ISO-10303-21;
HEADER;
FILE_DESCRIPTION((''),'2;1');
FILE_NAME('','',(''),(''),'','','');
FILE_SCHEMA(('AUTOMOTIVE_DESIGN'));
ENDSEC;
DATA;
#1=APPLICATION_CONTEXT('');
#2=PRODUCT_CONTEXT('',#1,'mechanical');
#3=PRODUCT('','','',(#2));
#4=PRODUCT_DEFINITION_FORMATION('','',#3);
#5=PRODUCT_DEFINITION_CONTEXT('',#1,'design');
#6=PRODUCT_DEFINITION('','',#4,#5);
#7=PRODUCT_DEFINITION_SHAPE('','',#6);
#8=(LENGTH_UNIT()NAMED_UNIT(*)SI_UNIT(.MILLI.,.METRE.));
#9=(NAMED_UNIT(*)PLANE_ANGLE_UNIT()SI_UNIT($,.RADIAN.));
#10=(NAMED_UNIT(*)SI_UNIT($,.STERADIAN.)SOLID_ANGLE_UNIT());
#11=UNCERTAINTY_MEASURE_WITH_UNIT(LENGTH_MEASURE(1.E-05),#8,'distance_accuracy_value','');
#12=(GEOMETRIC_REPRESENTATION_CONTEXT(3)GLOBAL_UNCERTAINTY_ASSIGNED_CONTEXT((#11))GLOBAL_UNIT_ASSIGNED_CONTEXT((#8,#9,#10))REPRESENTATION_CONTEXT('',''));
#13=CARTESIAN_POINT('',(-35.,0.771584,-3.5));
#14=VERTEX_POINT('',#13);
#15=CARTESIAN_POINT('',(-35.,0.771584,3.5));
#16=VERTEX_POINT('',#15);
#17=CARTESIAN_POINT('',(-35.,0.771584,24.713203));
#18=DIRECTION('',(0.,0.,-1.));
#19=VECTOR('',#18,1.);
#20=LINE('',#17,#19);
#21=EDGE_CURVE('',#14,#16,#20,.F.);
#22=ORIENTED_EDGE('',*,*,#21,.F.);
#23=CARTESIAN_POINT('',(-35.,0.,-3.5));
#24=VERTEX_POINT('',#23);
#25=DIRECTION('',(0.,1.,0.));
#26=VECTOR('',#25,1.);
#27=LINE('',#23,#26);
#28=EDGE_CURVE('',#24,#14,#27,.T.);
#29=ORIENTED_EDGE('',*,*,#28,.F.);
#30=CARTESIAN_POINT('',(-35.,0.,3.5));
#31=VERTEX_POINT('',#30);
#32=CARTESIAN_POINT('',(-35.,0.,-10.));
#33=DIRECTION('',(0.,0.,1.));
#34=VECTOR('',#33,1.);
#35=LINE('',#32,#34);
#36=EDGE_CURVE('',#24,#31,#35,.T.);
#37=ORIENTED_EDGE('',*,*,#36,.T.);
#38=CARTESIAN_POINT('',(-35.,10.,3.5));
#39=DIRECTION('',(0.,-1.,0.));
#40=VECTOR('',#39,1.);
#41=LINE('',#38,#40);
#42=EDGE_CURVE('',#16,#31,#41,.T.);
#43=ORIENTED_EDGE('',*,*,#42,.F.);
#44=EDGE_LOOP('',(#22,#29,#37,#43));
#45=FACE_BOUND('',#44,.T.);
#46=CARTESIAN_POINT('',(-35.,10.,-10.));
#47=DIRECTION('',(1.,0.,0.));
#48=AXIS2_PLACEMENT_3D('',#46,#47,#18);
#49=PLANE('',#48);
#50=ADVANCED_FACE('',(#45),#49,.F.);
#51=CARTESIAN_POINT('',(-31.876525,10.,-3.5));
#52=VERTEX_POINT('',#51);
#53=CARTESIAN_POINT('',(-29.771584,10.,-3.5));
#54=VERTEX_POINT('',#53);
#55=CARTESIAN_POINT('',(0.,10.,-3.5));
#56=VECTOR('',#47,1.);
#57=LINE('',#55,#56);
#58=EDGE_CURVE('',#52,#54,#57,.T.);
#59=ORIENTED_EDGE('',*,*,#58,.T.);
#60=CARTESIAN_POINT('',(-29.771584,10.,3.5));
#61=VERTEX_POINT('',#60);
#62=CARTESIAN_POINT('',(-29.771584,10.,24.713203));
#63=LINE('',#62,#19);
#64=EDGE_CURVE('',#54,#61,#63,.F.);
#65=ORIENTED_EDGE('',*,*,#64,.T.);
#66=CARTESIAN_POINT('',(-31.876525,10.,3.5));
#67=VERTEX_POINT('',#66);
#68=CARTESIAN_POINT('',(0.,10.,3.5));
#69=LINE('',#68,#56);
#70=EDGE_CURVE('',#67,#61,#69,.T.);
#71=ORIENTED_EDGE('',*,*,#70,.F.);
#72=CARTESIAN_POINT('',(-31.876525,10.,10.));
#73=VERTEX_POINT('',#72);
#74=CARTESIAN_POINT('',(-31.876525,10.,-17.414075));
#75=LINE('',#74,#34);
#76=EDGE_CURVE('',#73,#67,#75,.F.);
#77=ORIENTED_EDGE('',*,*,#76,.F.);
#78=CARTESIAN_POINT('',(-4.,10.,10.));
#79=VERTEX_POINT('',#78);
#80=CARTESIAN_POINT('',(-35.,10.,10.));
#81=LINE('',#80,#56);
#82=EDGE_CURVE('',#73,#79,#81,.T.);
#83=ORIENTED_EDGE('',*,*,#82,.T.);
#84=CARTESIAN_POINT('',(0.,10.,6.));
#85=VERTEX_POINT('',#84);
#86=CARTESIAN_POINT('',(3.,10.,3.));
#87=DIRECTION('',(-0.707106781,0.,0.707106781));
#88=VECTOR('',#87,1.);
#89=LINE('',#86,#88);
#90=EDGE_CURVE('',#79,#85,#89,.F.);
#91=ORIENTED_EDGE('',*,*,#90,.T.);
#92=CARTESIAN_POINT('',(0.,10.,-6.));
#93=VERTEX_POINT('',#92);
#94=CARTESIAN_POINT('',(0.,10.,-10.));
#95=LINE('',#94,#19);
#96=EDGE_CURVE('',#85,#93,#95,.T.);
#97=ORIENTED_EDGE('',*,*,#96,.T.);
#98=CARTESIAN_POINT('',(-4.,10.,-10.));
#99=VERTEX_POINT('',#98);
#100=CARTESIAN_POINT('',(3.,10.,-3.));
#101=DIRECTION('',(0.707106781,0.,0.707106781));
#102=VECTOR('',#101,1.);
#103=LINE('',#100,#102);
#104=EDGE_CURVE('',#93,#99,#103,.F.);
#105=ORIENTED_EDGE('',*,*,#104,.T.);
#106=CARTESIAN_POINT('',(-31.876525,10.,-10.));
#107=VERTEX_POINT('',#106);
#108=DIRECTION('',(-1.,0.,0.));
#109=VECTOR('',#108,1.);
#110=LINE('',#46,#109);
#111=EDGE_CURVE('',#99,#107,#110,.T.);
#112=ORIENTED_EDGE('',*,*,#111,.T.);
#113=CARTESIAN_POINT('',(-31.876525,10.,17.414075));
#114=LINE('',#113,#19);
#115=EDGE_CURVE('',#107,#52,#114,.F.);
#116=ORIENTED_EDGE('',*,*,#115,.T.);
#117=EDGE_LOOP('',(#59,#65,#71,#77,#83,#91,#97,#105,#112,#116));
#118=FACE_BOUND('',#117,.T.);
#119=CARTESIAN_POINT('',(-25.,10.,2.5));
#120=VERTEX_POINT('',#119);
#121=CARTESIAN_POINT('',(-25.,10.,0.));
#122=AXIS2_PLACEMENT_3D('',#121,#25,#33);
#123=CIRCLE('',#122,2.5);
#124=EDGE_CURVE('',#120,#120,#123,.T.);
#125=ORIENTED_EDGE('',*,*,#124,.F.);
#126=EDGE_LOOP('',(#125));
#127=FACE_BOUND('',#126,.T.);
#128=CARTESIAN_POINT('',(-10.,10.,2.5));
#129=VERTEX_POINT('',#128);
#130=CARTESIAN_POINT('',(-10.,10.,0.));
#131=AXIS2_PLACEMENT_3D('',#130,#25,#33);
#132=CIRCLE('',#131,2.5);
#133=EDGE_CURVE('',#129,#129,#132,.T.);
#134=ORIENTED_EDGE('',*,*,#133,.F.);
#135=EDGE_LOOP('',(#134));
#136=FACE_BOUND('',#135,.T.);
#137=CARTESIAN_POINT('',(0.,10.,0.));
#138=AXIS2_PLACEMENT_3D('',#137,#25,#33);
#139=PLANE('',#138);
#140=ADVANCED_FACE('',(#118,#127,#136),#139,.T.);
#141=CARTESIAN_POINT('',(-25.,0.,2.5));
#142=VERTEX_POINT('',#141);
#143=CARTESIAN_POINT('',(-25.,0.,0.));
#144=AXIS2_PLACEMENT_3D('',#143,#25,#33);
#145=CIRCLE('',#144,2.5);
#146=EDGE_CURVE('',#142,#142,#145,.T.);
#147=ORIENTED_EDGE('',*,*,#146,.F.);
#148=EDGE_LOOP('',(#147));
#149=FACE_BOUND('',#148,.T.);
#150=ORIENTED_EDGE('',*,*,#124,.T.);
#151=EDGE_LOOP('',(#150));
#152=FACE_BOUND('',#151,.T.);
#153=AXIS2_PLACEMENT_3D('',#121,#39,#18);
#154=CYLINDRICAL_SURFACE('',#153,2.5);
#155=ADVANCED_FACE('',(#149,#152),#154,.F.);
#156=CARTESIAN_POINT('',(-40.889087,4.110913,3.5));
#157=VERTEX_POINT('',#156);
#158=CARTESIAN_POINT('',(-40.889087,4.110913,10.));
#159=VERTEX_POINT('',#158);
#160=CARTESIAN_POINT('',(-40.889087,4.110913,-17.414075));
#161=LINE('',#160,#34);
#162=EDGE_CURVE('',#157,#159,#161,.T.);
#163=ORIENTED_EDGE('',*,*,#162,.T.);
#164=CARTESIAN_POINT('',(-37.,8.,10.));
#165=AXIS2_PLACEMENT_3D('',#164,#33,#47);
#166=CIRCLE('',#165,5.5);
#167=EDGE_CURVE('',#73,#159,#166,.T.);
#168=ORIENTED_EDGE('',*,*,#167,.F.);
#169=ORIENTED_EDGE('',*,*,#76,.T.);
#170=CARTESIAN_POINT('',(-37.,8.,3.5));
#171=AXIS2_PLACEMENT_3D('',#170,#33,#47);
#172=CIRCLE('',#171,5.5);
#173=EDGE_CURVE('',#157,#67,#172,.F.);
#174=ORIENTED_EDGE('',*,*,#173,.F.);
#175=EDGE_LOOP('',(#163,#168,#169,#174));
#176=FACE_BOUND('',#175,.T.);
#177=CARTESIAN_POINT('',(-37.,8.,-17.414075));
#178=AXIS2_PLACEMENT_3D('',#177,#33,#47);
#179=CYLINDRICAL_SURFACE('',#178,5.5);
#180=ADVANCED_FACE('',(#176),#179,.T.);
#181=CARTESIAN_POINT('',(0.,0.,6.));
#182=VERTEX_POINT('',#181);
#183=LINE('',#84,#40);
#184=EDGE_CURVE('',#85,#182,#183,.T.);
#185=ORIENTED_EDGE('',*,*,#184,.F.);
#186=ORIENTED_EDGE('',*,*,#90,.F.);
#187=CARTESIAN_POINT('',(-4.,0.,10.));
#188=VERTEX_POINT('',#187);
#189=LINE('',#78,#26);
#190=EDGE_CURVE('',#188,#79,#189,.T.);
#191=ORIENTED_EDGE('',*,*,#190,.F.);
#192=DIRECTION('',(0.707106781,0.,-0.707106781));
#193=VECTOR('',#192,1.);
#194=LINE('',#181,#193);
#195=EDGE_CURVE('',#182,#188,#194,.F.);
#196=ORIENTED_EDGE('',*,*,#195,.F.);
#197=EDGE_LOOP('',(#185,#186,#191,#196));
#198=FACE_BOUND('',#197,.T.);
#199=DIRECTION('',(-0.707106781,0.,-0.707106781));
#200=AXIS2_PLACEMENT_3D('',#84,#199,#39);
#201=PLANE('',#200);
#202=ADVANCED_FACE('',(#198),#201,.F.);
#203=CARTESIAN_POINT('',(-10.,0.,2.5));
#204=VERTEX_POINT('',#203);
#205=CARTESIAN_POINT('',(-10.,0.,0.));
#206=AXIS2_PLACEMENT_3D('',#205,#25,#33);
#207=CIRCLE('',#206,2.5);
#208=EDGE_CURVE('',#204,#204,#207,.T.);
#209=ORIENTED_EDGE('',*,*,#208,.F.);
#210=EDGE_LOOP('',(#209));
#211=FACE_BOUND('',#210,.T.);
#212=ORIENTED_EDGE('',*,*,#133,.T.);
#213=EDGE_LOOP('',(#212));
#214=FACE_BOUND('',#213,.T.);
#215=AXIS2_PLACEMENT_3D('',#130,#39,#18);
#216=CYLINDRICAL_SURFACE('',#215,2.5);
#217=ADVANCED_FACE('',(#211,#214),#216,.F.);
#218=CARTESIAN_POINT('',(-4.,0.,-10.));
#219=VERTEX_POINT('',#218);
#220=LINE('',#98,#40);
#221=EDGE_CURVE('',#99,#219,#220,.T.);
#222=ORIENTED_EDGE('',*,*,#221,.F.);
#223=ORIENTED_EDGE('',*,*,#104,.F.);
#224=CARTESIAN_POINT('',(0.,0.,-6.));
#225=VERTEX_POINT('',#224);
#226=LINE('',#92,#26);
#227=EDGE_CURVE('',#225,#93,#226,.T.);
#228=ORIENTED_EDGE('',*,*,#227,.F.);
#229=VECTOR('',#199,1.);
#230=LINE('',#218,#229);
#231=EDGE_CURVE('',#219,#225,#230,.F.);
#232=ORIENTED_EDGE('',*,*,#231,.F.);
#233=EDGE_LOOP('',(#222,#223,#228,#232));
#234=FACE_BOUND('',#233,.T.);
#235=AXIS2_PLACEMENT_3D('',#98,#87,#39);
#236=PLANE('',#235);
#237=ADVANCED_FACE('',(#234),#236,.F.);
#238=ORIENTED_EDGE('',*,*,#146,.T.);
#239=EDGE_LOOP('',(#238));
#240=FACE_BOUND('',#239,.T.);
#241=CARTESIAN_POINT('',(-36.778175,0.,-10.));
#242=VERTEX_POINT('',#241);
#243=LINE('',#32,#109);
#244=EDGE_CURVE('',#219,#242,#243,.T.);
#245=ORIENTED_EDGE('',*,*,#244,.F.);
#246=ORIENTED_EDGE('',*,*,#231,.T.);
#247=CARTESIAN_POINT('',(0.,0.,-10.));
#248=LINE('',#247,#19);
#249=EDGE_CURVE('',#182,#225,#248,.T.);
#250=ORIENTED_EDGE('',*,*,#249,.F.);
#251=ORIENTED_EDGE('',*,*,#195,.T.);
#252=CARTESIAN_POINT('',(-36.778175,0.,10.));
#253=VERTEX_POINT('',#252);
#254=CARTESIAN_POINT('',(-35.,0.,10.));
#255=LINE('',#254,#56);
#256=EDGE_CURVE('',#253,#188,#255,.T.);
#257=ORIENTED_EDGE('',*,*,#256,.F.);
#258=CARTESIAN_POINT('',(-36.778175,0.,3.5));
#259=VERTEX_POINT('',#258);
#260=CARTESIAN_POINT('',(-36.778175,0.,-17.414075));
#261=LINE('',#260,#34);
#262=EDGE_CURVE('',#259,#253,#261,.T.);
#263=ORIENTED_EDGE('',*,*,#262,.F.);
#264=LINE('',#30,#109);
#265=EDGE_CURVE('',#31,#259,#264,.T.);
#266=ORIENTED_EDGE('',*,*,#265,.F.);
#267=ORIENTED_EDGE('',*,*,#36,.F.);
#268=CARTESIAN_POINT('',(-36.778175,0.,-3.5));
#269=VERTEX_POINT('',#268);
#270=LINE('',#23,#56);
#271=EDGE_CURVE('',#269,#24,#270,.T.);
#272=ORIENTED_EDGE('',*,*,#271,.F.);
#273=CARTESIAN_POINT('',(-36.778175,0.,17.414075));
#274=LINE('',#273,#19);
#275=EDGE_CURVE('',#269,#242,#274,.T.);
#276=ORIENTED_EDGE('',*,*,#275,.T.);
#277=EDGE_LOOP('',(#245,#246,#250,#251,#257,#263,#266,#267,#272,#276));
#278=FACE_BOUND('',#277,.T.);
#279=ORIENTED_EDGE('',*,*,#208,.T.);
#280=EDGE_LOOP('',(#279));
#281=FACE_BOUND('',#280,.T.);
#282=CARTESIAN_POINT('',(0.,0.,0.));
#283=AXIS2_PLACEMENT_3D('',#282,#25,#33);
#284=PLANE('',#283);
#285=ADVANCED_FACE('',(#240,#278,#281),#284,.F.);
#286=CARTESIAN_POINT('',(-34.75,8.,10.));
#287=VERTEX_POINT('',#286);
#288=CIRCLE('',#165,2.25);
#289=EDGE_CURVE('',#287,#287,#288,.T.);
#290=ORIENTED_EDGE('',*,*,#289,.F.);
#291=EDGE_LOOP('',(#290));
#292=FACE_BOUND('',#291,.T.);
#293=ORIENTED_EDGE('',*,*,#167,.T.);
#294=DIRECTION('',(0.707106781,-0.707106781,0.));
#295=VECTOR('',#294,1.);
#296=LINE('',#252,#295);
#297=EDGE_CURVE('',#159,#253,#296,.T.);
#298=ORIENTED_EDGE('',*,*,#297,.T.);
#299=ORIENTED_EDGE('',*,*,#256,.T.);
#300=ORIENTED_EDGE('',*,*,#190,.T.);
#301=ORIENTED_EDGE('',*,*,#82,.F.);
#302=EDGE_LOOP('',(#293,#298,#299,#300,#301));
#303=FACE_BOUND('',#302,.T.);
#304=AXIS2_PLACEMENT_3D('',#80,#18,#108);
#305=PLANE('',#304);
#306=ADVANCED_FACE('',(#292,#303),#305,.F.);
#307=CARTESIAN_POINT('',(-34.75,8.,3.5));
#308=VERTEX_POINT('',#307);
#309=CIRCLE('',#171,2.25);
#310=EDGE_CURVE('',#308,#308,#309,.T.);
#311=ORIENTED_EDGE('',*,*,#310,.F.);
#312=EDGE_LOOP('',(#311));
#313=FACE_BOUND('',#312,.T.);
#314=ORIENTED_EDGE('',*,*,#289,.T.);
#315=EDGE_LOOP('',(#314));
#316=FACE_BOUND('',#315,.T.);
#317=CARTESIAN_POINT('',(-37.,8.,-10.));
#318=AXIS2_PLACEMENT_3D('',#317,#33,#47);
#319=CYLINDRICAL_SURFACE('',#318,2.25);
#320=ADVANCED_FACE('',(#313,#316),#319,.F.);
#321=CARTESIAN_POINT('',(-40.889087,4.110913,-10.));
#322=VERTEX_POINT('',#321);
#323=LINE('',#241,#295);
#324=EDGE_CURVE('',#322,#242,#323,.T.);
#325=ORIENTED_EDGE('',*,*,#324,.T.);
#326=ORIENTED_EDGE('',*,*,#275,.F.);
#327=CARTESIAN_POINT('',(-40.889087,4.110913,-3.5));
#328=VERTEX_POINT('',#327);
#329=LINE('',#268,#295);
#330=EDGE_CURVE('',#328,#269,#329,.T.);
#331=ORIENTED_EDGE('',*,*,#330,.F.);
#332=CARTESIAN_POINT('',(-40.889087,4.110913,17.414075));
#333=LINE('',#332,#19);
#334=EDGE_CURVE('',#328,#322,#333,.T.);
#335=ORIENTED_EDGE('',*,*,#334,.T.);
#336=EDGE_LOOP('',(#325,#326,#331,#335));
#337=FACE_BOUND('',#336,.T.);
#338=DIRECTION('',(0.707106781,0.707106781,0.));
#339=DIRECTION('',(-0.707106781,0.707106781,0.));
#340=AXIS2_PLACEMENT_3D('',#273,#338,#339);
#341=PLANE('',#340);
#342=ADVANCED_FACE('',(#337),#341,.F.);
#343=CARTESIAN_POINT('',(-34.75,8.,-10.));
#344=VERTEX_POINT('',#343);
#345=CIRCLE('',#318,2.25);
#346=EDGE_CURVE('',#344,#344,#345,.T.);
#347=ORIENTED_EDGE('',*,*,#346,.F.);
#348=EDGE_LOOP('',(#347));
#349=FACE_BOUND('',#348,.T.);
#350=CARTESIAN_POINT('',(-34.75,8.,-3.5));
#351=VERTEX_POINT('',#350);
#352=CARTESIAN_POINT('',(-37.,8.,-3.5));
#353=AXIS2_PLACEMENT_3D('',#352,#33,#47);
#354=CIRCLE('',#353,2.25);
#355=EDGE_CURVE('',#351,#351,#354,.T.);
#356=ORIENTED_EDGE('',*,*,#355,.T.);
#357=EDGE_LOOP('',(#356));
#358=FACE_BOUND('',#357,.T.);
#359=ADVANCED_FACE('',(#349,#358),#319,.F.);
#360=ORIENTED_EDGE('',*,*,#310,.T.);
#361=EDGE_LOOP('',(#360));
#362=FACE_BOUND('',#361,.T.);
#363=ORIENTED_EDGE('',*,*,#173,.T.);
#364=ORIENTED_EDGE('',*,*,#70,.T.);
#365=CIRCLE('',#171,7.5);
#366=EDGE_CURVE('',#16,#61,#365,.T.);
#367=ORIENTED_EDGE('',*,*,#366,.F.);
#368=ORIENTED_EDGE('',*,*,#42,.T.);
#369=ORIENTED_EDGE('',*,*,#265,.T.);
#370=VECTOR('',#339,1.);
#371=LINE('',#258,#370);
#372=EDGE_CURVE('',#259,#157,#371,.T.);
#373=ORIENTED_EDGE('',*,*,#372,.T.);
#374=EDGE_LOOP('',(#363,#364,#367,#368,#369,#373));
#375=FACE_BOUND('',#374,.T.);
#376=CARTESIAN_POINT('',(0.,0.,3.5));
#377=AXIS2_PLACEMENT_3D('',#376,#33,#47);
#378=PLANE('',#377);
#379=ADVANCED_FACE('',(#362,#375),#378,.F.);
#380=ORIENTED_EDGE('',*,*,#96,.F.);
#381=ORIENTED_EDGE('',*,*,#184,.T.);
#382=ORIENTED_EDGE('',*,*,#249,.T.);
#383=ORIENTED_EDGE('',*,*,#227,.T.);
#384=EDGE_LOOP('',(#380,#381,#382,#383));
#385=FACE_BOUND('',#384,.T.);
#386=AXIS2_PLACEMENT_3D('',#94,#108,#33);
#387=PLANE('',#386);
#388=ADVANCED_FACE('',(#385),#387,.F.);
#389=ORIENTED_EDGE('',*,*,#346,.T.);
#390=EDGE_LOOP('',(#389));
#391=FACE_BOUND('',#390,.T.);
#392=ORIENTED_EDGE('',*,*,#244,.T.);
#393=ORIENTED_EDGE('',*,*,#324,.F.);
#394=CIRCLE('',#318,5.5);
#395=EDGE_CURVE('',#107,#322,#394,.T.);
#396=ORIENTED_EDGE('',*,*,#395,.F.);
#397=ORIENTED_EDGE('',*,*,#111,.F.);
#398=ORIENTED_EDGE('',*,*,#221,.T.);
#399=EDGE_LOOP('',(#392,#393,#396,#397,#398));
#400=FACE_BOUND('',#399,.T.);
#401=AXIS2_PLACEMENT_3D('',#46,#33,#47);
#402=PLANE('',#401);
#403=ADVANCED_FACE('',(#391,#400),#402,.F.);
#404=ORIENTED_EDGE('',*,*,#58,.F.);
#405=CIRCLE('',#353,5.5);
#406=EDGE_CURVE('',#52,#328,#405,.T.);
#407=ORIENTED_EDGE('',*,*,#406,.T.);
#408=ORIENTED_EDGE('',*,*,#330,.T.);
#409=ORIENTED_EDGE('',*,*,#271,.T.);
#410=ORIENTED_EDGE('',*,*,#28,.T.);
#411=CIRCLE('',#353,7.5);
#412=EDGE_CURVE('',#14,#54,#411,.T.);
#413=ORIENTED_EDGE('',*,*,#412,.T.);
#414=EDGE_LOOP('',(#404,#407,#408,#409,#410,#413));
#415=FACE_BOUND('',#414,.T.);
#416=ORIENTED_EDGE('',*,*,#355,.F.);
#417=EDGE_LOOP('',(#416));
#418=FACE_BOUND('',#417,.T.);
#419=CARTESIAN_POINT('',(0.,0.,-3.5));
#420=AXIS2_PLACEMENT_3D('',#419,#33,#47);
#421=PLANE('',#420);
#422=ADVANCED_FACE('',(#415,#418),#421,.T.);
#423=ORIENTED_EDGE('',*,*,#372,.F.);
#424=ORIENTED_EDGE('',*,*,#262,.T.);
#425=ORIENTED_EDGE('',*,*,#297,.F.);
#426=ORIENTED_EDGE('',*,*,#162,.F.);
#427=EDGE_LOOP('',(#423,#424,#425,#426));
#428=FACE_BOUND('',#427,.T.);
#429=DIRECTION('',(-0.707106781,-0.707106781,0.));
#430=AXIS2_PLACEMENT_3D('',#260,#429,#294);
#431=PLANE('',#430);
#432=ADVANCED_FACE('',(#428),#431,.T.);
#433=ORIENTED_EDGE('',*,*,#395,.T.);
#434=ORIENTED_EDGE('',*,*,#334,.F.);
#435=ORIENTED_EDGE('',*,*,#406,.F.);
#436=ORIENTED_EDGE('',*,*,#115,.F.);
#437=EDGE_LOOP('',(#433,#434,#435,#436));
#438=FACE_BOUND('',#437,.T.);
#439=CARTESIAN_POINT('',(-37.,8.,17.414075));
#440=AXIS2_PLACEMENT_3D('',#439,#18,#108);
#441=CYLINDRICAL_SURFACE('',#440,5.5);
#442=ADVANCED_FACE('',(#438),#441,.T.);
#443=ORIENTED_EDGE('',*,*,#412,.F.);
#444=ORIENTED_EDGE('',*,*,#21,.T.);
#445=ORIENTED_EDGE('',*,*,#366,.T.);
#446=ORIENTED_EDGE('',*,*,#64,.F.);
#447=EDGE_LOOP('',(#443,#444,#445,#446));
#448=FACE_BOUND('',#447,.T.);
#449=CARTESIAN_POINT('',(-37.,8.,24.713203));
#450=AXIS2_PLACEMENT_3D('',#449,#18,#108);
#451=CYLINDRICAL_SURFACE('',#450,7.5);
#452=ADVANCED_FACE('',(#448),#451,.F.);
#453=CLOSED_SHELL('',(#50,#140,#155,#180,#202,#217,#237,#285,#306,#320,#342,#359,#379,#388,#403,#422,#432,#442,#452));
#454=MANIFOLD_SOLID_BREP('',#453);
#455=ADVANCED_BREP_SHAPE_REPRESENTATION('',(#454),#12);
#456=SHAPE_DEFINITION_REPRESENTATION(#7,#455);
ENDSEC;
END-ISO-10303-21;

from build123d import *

# Parameters (mm, degrees)
SKETCH1_W           = 35
SKETCH1_H           = 20
SKETCH1_R           = 2.5
BOSS_EXTRUDE1_DEPTH = 10
BOSS_EXTRUDE2_DEPTH = 6.5
SKETCH3_R           = 7.5
CUT_EXTRUDE1_DEPTH  = 7
SKETCH4_R           = 2.25
CUT_EXTRUDE2_DEPTH  = 49.872282533
CHAMFER1_SIZE       = 4


with BuildPart() as part:
    # Sketch1 → Boss-Extrude1 (new body)
    with BuildSketch(Plane(origin=(0, 0, 0), x_dir=(1, 0, 0), z_dir=(0, 1, 0))):
        with Locations((-17.5, 0)):
            Rectangle(SKETCH1_W, SKETCH1_H)
        with Locations(Location((-10, 0, 0), (0, 0, 270))):
            Circle(SKETCH1_R, mode=Mode.SUBTRACT)
        with Locations(Location((-25, 0, 0), (0, 0, 270))):
            Circle(SKETCH1_R, mode=Mode.SUBTRACT)
    extrude(amount=BOSS_EXTRUDE1_DEPTH)

    # Sketch2 → Boss-Extrude2 (add)
    with BuildSketch(Plane.XY.offset(10)):
        with BuildLine():
            Line((-35, 0), (-36.778174593, 0))
            Line((-36.778174593, 0), (-40.889087297, 4.110912703))
            ThreePointArc((-40.889087297, 4.110912703), (-35.871686573, 13.383020417), (-35, 2.876524617))
            Line((-35, 2.876524617), (-35, 0))
        make_face()
    boss_extrude2 = extrude(amount=-BOSS_EXTRUDE2_DEPTH)

    # Mirror1: Boss-Extrude2 across plane
    add(boss_extrude2.mirror(Plane.XY))

    # Sketch3 → Cut-Extrude1 (cut)
    with BuildSketch(Plane.XY.offset(-3.5)):
        with Locations((-37, 8)):
            Circle(SKETCH3_R)
    extrude(amount=CUT_EXTRUDE1_DEPTH, mode=Mode.SUBTRACT)

    # Sketch4 → Cut-Extrude2 (cut, through all)
    with BuildSketch(Plane.XY.offset(10)):
        with Locations((-37, 8)):
            Circle(SKETCH4_R)
    extrude(amount=-CUT_EXTRUDE2_DEPTH, mode=Mode.SUBTRACT)

    # Chamfer1
    chamfer1_edges = [part.edges().sort_by_distance(p)[0] for p in [
        (0, 5, -10),
        (0, 5, 10),
    ]]
    chamfer(chamfer1_edges, length=CHAMFER1_SIZE)


solid = part.part
